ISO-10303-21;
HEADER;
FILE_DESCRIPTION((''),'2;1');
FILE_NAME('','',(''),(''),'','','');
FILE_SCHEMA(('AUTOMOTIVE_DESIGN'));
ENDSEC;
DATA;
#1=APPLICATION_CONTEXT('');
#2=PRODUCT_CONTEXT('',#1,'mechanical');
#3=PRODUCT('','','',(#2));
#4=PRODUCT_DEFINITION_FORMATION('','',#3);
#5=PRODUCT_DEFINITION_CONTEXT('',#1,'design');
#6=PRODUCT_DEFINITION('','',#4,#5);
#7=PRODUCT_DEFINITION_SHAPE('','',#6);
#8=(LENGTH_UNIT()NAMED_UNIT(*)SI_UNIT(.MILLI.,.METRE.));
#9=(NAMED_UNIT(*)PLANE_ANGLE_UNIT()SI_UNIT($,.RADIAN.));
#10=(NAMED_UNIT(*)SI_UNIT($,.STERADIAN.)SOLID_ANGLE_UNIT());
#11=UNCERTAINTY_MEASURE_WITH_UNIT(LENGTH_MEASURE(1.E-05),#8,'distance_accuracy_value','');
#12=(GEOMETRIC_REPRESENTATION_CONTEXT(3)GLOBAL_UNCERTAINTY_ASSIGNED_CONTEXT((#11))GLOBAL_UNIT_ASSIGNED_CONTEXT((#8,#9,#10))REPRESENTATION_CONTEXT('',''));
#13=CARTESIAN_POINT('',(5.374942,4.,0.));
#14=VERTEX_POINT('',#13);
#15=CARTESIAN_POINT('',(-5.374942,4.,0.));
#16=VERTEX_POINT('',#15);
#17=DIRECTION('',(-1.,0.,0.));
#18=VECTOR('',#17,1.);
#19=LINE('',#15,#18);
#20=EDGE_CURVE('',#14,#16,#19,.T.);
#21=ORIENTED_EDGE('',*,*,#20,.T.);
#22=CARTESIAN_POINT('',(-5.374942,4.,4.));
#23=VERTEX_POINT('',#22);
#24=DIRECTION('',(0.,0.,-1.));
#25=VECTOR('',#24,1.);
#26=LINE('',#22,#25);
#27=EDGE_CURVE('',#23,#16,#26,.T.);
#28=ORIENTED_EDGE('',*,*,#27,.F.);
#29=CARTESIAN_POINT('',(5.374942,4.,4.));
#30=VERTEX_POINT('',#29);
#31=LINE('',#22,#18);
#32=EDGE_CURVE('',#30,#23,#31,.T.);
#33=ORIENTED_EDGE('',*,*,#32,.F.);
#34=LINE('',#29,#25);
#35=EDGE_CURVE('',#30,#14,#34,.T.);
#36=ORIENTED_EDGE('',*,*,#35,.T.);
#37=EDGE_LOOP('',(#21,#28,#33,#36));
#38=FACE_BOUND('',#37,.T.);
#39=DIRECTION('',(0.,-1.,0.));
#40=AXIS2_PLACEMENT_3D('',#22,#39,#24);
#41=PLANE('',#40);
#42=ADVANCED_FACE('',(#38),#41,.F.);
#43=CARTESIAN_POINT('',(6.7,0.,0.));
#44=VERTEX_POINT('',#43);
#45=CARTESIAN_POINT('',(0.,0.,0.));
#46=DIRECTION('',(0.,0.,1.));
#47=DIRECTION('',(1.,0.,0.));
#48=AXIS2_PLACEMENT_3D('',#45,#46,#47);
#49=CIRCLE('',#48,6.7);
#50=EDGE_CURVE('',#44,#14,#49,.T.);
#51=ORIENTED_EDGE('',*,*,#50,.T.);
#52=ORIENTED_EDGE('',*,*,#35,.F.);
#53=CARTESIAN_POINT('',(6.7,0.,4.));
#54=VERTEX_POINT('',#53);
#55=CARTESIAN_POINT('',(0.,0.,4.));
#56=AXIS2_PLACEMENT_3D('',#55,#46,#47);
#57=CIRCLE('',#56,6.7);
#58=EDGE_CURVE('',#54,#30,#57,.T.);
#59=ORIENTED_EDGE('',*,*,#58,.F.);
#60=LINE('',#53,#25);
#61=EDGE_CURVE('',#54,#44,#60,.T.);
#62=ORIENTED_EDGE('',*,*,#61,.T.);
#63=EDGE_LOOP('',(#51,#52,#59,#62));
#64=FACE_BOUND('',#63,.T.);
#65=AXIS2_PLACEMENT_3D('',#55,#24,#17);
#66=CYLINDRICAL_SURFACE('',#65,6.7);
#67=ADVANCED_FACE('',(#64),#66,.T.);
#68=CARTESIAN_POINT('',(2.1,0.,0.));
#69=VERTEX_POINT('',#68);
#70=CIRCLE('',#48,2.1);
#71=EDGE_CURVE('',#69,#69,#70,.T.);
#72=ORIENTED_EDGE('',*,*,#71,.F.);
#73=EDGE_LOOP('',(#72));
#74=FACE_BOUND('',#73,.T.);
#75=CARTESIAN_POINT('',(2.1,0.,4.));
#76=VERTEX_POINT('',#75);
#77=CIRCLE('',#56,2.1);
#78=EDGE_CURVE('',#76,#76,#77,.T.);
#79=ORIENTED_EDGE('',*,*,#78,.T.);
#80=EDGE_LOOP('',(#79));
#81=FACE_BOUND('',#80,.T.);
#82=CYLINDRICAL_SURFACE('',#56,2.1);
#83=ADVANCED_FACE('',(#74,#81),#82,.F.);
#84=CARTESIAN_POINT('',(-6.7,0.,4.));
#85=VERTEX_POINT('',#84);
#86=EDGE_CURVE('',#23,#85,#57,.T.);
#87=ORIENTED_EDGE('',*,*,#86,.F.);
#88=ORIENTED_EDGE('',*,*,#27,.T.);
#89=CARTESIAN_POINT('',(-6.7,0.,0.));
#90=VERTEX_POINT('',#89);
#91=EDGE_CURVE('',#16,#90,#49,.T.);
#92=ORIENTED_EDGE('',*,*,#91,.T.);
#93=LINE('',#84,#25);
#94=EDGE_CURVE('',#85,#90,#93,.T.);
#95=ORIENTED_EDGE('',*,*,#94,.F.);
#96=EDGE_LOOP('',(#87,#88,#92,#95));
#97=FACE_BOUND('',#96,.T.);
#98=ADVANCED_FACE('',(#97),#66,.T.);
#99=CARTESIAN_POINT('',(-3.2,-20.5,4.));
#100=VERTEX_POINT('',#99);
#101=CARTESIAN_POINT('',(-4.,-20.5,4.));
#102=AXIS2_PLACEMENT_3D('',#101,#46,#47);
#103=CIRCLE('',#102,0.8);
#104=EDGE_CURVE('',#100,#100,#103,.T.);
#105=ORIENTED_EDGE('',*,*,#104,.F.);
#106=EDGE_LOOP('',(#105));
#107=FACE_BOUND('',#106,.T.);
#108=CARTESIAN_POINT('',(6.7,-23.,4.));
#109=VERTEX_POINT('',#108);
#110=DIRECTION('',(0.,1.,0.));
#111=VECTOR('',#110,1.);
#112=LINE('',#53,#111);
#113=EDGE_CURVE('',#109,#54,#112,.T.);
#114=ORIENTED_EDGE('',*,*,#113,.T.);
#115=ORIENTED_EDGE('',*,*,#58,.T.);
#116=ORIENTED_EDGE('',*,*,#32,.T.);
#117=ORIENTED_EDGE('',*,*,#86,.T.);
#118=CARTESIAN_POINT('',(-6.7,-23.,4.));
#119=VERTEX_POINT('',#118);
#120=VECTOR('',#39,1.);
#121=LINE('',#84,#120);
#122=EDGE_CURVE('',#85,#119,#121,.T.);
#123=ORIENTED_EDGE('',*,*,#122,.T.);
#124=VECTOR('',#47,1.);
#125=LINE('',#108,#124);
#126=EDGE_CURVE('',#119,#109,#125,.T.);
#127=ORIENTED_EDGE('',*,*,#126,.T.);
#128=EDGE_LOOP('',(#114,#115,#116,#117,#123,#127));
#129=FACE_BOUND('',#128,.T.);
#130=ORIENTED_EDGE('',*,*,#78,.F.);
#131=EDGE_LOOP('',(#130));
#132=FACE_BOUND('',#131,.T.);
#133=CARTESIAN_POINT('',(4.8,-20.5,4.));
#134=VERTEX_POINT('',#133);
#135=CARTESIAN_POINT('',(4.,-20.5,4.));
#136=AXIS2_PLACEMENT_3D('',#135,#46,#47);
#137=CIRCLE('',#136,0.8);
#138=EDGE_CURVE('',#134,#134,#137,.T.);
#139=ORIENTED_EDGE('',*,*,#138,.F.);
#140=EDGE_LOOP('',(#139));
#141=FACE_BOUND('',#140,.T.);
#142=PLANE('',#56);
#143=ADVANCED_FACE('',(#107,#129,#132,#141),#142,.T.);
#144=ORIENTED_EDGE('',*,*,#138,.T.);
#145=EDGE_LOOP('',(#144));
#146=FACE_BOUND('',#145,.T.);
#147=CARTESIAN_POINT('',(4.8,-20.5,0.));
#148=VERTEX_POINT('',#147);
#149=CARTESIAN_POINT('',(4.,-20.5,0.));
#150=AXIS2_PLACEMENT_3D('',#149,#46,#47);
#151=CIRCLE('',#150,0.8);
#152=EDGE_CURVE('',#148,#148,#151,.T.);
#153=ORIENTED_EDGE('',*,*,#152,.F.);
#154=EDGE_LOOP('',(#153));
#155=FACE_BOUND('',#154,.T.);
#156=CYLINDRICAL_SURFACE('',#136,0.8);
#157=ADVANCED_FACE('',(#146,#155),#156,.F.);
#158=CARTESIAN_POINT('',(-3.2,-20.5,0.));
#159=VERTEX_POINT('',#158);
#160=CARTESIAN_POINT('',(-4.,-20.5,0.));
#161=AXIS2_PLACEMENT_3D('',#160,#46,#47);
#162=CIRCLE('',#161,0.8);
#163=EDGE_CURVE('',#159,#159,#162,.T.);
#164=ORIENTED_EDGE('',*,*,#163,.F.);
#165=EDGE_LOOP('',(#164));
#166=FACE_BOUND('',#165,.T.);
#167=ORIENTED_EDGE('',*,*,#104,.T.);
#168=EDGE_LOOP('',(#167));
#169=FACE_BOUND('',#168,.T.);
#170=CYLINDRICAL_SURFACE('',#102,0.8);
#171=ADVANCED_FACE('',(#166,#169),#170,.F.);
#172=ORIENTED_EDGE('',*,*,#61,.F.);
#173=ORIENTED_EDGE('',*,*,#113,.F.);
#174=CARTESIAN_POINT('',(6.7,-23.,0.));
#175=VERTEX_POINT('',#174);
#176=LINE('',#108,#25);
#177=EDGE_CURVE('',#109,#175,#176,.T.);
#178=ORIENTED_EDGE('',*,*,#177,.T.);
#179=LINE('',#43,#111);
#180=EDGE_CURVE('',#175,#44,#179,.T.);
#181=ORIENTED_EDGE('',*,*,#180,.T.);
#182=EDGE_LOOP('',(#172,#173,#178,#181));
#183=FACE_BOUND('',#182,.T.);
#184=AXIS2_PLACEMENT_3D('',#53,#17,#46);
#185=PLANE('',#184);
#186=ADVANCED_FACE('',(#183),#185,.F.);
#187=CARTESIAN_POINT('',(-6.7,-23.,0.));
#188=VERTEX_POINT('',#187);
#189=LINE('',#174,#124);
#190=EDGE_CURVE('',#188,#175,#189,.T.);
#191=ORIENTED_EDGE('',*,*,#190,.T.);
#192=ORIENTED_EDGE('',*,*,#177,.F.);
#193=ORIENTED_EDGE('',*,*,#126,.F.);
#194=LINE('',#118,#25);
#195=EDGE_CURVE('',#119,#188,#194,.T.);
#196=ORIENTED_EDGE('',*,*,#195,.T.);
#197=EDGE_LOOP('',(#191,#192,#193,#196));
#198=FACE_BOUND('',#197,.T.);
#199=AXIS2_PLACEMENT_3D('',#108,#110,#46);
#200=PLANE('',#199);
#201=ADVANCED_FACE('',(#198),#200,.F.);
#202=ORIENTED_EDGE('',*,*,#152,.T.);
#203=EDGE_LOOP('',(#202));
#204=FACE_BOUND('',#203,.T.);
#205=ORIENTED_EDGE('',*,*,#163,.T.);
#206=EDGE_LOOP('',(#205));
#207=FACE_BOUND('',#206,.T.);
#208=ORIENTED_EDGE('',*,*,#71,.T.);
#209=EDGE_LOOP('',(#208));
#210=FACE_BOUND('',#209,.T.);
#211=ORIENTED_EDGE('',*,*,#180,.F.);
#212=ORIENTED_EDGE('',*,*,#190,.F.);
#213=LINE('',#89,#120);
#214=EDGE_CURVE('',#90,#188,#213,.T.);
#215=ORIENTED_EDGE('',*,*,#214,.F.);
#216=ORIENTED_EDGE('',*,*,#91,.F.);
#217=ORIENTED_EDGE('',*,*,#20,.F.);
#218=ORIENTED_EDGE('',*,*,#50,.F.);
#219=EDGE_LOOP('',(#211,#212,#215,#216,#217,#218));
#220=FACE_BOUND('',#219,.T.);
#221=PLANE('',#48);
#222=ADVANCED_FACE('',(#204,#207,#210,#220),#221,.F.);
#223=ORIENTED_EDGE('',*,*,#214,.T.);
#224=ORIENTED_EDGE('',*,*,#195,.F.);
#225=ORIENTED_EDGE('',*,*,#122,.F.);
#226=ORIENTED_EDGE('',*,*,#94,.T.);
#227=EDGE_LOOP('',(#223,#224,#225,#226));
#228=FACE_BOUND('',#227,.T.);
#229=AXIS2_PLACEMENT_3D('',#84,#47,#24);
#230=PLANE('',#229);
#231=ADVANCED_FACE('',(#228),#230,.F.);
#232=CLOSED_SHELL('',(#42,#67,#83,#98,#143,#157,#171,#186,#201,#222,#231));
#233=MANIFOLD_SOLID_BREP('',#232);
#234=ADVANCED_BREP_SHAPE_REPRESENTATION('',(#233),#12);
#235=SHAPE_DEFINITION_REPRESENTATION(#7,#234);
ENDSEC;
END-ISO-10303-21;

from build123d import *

# Parameters (mm, degrees)
RESSALTO_EXTRUS_O1_DEPTH                = 4
FURO_ROSCADO_DE_M2X0_41_D               = 1.6
FURO_ROSCADO_PARA_CONDU_TE_DE_M4X0_71_D = 4.2


with BuildPart() as part:
    # Esboço1 → Ressalto-extrusão1 (new body)
    with BuildSketch(Plane.XY):
        with BuildLine():
            Line((-6.7, 0), (-6.7, -23))
            Line((-6.7, -23), (6.7, -23))
            Line((6.7, -23), (6.7, 0))
            ThreePointArc((6.7, 0), (6.360114404, 2.10688034), (5.37494186, 4))
            Line((5.37494186, 4), (-5.37494186, 4))
            ThreePointArc((-5.37494186, 4), (-6.360114404, 2.10688034), (-6.7, 0))
        make_face()
    extrude(amount=RESSALTO_EXTRUS_O1_DEPTH)

    # Furo roscado de M2x0.41 (through all)
    with Locations(Plane(origin=(-4, -20.5, 4), x_dir=(1, 0, 0), z_dir=(0, 0, 1))):
        with Locations((0, 0), (8, 0)):
            Hole(FURO_ROSCADO_DE_M2X0_41_D / 2)

    # Furo roscado para conduíte de M4x0.71 (through all)
    with Locations(Plane.XY.offset(4)):
        with Locations((0, 0)):
            Hole(FURO_ROSCADO_PARA_CONDU_TE_DE_M4X0_71_D / 2)


solid = part.part
